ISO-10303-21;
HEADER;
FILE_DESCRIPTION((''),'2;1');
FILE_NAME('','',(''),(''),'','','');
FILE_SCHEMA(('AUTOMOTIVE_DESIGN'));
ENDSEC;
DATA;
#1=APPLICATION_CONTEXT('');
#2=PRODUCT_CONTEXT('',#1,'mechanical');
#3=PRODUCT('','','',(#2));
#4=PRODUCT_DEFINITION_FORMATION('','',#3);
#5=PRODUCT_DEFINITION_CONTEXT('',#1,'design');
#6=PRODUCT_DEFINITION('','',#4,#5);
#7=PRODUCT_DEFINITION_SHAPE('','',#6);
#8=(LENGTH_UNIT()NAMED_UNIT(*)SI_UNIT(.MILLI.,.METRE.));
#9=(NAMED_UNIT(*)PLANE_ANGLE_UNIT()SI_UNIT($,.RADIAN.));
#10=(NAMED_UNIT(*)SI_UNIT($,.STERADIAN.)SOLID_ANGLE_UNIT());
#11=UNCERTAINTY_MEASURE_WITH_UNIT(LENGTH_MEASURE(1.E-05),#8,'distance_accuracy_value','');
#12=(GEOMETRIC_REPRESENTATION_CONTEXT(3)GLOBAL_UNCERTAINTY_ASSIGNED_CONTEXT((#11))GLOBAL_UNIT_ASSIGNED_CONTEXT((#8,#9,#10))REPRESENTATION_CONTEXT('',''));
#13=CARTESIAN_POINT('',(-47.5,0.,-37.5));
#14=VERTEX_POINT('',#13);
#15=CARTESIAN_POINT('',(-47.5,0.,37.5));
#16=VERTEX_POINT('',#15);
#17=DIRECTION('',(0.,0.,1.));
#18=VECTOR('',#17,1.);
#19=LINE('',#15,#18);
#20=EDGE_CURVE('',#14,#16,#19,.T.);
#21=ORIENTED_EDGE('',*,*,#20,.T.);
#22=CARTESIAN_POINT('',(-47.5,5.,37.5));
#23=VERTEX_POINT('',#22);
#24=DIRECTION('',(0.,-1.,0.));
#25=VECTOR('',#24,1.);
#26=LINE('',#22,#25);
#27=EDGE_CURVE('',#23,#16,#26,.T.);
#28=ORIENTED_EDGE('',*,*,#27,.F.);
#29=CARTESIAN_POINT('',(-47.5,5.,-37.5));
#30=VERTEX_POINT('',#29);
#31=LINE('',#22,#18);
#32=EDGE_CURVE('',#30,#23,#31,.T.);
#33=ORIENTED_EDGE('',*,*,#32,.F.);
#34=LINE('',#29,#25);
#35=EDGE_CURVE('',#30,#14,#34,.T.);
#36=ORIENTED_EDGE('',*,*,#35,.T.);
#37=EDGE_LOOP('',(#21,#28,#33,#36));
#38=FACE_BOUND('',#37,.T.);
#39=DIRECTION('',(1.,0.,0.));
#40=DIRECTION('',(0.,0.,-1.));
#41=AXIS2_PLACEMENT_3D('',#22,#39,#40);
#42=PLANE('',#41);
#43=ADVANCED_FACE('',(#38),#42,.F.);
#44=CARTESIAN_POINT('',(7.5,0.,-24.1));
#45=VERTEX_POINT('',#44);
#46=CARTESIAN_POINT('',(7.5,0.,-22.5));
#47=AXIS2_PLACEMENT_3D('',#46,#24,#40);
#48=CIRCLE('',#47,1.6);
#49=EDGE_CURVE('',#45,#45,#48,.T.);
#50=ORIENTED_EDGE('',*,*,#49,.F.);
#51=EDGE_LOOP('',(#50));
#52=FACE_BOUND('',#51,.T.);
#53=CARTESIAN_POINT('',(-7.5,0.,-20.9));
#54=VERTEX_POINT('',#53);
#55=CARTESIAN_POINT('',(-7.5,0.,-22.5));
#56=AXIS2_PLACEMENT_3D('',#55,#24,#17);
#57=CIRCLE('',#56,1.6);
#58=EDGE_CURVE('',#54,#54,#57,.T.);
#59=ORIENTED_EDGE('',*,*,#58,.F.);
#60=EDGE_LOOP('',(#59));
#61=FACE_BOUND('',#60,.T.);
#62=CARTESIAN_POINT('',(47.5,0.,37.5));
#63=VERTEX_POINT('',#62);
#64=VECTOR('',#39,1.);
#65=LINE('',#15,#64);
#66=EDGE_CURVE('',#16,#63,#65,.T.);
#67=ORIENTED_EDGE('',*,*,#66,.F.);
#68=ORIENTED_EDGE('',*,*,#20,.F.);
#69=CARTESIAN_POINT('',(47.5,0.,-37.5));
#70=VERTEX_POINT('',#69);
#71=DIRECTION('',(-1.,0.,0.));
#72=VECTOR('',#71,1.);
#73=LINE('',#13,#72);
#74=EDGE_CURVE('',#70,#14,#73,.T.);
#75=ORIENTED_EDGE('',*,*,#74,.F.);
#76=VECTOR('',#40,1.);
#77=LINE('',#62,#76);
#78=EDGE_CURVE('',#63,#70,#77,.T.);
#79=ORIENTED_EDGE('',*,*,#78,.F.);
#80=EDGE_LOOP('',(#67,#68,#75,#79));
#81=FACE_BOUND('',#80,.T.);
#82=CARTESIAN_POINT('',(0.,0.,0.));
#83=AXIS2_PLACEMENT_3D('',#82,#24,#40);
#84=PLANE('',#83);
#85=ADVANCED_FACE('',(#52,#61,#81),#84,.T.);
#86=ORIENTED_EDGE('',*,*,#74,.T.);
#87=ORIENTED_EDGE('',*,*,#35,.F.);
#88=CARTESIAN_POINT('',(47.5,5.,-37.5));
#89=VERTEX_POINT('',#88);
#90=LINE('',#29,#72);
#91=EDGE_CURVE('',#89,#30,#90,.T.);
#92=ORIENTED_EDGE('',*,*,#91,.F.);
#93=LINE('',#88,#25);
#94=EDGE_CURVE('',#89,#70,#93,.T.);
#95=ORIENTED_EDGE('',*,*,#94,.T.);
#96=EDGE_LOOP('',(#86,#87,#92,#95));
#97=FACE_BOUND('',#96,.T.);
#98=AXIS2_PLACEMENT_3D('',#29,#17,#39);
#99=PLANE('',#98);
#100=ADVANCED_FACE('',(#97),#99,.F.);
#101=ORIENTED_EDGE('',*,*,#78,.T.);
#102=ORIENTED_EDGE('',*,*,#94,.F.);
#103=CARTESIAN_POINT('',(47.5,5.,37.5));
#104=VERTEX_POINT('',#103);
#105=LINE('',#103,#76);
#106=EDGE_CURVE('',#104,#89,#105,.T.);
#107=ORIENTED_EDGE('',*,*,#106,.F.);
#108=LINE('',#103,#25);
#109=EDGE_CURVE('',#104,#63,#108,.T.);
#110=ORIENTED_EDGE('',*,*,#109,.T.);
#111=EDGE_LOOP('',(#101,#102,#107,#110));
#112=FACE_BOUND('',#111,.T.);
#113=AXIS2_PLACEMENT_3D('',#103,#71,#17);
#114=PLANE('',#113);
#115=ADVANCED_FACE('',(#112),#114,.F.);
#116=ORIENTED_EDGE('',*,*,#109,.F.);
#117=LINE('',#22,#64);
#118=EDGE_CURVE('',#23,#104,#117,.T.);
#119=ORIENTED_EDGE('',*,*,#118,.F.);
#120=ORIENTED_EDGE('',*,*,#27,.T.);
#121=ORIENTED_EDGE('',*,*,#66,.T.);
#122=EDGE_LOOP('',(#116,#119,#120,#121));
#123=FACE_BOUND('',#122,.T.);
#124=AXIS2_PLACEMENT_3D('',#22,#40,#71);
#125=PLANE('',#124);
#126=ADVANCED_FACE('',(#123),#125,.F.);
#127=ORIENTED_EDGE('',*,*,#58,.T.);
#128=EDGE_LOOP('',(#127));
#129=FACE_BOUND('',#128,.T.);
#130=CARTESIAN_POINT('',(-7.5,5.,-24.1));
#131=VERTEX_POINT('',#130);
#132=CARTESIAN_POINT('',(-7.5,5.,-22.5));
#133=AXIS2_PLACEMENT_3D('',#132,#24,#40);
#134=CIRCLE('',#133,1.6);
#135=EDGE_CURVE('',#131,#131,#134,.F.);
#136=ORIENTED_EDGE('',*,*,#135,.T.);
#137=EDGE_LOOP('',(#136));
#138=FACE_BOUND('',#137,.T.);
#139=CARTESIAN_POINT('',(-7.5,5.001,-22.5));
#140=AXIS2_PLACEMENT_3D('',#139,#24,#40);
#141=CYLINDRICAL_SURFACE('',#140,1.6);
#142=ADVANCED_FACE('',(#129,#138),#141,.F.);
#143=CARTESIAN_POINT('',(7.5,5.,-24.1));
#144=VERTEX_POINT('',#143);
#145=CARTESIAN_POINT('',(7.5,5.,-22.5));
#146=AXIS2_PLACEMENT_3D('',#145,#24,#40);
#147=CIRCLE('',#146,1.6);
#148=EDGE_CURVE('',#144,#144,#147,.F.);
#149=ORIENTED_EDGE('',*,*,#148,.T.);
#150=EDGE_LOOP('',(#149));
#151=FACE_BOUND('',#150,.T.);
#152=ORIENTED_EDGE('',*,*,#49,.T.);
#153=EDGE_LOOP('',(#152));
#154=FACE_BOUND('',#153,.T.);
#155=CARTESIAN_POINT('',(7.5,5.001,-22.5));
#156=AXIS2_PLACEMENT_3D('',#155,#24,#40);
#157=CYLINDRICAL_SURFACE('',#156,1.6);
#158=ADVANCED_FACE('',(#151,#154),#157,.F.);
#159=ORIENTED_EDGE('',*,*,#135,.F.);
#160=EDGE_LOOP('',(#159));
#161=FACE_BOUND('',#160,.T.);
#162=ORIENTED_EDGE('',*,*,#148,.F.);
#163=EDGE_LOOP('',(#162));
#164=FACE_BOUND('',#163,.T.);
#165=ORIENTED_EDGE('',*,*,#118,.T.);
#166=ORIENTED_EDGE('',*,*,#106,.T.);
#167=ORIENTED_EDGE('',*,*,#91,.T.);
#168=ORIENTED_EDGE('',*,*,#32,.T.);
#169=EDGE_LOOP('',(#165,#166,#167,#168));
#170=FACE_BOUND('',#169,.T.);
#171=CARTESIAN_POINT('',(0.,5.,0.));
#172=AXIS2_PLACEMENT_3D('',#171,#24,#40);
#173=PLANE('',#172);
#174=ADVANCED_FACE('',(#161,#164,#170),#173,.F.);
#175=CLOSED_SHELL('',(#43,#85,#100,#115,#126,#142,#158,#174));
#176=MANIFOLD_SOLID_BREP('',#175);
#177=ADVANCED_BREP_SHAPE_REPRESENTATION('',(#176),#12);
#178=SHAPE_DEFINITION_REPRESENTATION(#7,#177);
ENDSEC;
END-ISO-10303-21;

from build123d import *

# Parameters (mm, degrees)
SKETCH1_W           = 95
SKETCH1_H           = 75
BOSS_EXTRUDE1_DEPTH = 5
CUT_EXTRUDE1_REACH  = 7
SKETCH2_R           = 1.6


with BuildPart() as part:
    # Sketch1 → Boss-Extrude1 (new body)
    with BuildSketch(Plane(origin=(0, 0, 0), x_dir=(1, 0, 0), z_dir=(0, 1, 0))):
        Rectangle(SKETCH1_W, SKETCH1_H)
    extrude(amount=BOSS_EXTRUDE1_DEPTH)

    # Sketch2 → Cut-Extrude1 (cut, up to next)
    with BuildSketch(Plane(origin=(0, 0, 0), x_dir=(-1, 0, 0), z_dir=(0, -1, 0)), mode=Mode.PRIVATE) as cut_extrude1_sk1:
        with Locations((-7.5, 22.5)):
            Circle(SKETCH2_R)
    cut_extrude1_tool1 = extrude(cut_extrude1_sk1.sketch, amount=-CUT_EXTRUDE1_REACH, mode=Mode.PRIVATE) & part.part
    add(cut_extrude1_tool1.solids().sort_by_distance((7.5, 0, -22.5))[0], mode=Mode.SUBTRACT)
    # Sketch2 → Cut-Extrude1 (cut, up to next)
    with BuildSketch(Plane(origin=(0, 0, 0), x_dir=(-1, 0, 0), z_dir=(0, -1, 0)), mode=Mode.PRIVATE) as cut_extrude1_sk2:
        with Locations((7.5, 22.5)):
            Circle(SKETCH2_R)
    cut_extrude1_tool2 = extrude(cut_extrude1_sk2.sketch, amount=-CUT_EXTRUDE1_REACH, mode=Mode.PRIVATE) & part.part
    add(cut_extrude1_tool2.solids().sort_by_distance((-7.5, 0, -22.5))[0], mode=Mode.SUBTRACT)


solid = part.part
